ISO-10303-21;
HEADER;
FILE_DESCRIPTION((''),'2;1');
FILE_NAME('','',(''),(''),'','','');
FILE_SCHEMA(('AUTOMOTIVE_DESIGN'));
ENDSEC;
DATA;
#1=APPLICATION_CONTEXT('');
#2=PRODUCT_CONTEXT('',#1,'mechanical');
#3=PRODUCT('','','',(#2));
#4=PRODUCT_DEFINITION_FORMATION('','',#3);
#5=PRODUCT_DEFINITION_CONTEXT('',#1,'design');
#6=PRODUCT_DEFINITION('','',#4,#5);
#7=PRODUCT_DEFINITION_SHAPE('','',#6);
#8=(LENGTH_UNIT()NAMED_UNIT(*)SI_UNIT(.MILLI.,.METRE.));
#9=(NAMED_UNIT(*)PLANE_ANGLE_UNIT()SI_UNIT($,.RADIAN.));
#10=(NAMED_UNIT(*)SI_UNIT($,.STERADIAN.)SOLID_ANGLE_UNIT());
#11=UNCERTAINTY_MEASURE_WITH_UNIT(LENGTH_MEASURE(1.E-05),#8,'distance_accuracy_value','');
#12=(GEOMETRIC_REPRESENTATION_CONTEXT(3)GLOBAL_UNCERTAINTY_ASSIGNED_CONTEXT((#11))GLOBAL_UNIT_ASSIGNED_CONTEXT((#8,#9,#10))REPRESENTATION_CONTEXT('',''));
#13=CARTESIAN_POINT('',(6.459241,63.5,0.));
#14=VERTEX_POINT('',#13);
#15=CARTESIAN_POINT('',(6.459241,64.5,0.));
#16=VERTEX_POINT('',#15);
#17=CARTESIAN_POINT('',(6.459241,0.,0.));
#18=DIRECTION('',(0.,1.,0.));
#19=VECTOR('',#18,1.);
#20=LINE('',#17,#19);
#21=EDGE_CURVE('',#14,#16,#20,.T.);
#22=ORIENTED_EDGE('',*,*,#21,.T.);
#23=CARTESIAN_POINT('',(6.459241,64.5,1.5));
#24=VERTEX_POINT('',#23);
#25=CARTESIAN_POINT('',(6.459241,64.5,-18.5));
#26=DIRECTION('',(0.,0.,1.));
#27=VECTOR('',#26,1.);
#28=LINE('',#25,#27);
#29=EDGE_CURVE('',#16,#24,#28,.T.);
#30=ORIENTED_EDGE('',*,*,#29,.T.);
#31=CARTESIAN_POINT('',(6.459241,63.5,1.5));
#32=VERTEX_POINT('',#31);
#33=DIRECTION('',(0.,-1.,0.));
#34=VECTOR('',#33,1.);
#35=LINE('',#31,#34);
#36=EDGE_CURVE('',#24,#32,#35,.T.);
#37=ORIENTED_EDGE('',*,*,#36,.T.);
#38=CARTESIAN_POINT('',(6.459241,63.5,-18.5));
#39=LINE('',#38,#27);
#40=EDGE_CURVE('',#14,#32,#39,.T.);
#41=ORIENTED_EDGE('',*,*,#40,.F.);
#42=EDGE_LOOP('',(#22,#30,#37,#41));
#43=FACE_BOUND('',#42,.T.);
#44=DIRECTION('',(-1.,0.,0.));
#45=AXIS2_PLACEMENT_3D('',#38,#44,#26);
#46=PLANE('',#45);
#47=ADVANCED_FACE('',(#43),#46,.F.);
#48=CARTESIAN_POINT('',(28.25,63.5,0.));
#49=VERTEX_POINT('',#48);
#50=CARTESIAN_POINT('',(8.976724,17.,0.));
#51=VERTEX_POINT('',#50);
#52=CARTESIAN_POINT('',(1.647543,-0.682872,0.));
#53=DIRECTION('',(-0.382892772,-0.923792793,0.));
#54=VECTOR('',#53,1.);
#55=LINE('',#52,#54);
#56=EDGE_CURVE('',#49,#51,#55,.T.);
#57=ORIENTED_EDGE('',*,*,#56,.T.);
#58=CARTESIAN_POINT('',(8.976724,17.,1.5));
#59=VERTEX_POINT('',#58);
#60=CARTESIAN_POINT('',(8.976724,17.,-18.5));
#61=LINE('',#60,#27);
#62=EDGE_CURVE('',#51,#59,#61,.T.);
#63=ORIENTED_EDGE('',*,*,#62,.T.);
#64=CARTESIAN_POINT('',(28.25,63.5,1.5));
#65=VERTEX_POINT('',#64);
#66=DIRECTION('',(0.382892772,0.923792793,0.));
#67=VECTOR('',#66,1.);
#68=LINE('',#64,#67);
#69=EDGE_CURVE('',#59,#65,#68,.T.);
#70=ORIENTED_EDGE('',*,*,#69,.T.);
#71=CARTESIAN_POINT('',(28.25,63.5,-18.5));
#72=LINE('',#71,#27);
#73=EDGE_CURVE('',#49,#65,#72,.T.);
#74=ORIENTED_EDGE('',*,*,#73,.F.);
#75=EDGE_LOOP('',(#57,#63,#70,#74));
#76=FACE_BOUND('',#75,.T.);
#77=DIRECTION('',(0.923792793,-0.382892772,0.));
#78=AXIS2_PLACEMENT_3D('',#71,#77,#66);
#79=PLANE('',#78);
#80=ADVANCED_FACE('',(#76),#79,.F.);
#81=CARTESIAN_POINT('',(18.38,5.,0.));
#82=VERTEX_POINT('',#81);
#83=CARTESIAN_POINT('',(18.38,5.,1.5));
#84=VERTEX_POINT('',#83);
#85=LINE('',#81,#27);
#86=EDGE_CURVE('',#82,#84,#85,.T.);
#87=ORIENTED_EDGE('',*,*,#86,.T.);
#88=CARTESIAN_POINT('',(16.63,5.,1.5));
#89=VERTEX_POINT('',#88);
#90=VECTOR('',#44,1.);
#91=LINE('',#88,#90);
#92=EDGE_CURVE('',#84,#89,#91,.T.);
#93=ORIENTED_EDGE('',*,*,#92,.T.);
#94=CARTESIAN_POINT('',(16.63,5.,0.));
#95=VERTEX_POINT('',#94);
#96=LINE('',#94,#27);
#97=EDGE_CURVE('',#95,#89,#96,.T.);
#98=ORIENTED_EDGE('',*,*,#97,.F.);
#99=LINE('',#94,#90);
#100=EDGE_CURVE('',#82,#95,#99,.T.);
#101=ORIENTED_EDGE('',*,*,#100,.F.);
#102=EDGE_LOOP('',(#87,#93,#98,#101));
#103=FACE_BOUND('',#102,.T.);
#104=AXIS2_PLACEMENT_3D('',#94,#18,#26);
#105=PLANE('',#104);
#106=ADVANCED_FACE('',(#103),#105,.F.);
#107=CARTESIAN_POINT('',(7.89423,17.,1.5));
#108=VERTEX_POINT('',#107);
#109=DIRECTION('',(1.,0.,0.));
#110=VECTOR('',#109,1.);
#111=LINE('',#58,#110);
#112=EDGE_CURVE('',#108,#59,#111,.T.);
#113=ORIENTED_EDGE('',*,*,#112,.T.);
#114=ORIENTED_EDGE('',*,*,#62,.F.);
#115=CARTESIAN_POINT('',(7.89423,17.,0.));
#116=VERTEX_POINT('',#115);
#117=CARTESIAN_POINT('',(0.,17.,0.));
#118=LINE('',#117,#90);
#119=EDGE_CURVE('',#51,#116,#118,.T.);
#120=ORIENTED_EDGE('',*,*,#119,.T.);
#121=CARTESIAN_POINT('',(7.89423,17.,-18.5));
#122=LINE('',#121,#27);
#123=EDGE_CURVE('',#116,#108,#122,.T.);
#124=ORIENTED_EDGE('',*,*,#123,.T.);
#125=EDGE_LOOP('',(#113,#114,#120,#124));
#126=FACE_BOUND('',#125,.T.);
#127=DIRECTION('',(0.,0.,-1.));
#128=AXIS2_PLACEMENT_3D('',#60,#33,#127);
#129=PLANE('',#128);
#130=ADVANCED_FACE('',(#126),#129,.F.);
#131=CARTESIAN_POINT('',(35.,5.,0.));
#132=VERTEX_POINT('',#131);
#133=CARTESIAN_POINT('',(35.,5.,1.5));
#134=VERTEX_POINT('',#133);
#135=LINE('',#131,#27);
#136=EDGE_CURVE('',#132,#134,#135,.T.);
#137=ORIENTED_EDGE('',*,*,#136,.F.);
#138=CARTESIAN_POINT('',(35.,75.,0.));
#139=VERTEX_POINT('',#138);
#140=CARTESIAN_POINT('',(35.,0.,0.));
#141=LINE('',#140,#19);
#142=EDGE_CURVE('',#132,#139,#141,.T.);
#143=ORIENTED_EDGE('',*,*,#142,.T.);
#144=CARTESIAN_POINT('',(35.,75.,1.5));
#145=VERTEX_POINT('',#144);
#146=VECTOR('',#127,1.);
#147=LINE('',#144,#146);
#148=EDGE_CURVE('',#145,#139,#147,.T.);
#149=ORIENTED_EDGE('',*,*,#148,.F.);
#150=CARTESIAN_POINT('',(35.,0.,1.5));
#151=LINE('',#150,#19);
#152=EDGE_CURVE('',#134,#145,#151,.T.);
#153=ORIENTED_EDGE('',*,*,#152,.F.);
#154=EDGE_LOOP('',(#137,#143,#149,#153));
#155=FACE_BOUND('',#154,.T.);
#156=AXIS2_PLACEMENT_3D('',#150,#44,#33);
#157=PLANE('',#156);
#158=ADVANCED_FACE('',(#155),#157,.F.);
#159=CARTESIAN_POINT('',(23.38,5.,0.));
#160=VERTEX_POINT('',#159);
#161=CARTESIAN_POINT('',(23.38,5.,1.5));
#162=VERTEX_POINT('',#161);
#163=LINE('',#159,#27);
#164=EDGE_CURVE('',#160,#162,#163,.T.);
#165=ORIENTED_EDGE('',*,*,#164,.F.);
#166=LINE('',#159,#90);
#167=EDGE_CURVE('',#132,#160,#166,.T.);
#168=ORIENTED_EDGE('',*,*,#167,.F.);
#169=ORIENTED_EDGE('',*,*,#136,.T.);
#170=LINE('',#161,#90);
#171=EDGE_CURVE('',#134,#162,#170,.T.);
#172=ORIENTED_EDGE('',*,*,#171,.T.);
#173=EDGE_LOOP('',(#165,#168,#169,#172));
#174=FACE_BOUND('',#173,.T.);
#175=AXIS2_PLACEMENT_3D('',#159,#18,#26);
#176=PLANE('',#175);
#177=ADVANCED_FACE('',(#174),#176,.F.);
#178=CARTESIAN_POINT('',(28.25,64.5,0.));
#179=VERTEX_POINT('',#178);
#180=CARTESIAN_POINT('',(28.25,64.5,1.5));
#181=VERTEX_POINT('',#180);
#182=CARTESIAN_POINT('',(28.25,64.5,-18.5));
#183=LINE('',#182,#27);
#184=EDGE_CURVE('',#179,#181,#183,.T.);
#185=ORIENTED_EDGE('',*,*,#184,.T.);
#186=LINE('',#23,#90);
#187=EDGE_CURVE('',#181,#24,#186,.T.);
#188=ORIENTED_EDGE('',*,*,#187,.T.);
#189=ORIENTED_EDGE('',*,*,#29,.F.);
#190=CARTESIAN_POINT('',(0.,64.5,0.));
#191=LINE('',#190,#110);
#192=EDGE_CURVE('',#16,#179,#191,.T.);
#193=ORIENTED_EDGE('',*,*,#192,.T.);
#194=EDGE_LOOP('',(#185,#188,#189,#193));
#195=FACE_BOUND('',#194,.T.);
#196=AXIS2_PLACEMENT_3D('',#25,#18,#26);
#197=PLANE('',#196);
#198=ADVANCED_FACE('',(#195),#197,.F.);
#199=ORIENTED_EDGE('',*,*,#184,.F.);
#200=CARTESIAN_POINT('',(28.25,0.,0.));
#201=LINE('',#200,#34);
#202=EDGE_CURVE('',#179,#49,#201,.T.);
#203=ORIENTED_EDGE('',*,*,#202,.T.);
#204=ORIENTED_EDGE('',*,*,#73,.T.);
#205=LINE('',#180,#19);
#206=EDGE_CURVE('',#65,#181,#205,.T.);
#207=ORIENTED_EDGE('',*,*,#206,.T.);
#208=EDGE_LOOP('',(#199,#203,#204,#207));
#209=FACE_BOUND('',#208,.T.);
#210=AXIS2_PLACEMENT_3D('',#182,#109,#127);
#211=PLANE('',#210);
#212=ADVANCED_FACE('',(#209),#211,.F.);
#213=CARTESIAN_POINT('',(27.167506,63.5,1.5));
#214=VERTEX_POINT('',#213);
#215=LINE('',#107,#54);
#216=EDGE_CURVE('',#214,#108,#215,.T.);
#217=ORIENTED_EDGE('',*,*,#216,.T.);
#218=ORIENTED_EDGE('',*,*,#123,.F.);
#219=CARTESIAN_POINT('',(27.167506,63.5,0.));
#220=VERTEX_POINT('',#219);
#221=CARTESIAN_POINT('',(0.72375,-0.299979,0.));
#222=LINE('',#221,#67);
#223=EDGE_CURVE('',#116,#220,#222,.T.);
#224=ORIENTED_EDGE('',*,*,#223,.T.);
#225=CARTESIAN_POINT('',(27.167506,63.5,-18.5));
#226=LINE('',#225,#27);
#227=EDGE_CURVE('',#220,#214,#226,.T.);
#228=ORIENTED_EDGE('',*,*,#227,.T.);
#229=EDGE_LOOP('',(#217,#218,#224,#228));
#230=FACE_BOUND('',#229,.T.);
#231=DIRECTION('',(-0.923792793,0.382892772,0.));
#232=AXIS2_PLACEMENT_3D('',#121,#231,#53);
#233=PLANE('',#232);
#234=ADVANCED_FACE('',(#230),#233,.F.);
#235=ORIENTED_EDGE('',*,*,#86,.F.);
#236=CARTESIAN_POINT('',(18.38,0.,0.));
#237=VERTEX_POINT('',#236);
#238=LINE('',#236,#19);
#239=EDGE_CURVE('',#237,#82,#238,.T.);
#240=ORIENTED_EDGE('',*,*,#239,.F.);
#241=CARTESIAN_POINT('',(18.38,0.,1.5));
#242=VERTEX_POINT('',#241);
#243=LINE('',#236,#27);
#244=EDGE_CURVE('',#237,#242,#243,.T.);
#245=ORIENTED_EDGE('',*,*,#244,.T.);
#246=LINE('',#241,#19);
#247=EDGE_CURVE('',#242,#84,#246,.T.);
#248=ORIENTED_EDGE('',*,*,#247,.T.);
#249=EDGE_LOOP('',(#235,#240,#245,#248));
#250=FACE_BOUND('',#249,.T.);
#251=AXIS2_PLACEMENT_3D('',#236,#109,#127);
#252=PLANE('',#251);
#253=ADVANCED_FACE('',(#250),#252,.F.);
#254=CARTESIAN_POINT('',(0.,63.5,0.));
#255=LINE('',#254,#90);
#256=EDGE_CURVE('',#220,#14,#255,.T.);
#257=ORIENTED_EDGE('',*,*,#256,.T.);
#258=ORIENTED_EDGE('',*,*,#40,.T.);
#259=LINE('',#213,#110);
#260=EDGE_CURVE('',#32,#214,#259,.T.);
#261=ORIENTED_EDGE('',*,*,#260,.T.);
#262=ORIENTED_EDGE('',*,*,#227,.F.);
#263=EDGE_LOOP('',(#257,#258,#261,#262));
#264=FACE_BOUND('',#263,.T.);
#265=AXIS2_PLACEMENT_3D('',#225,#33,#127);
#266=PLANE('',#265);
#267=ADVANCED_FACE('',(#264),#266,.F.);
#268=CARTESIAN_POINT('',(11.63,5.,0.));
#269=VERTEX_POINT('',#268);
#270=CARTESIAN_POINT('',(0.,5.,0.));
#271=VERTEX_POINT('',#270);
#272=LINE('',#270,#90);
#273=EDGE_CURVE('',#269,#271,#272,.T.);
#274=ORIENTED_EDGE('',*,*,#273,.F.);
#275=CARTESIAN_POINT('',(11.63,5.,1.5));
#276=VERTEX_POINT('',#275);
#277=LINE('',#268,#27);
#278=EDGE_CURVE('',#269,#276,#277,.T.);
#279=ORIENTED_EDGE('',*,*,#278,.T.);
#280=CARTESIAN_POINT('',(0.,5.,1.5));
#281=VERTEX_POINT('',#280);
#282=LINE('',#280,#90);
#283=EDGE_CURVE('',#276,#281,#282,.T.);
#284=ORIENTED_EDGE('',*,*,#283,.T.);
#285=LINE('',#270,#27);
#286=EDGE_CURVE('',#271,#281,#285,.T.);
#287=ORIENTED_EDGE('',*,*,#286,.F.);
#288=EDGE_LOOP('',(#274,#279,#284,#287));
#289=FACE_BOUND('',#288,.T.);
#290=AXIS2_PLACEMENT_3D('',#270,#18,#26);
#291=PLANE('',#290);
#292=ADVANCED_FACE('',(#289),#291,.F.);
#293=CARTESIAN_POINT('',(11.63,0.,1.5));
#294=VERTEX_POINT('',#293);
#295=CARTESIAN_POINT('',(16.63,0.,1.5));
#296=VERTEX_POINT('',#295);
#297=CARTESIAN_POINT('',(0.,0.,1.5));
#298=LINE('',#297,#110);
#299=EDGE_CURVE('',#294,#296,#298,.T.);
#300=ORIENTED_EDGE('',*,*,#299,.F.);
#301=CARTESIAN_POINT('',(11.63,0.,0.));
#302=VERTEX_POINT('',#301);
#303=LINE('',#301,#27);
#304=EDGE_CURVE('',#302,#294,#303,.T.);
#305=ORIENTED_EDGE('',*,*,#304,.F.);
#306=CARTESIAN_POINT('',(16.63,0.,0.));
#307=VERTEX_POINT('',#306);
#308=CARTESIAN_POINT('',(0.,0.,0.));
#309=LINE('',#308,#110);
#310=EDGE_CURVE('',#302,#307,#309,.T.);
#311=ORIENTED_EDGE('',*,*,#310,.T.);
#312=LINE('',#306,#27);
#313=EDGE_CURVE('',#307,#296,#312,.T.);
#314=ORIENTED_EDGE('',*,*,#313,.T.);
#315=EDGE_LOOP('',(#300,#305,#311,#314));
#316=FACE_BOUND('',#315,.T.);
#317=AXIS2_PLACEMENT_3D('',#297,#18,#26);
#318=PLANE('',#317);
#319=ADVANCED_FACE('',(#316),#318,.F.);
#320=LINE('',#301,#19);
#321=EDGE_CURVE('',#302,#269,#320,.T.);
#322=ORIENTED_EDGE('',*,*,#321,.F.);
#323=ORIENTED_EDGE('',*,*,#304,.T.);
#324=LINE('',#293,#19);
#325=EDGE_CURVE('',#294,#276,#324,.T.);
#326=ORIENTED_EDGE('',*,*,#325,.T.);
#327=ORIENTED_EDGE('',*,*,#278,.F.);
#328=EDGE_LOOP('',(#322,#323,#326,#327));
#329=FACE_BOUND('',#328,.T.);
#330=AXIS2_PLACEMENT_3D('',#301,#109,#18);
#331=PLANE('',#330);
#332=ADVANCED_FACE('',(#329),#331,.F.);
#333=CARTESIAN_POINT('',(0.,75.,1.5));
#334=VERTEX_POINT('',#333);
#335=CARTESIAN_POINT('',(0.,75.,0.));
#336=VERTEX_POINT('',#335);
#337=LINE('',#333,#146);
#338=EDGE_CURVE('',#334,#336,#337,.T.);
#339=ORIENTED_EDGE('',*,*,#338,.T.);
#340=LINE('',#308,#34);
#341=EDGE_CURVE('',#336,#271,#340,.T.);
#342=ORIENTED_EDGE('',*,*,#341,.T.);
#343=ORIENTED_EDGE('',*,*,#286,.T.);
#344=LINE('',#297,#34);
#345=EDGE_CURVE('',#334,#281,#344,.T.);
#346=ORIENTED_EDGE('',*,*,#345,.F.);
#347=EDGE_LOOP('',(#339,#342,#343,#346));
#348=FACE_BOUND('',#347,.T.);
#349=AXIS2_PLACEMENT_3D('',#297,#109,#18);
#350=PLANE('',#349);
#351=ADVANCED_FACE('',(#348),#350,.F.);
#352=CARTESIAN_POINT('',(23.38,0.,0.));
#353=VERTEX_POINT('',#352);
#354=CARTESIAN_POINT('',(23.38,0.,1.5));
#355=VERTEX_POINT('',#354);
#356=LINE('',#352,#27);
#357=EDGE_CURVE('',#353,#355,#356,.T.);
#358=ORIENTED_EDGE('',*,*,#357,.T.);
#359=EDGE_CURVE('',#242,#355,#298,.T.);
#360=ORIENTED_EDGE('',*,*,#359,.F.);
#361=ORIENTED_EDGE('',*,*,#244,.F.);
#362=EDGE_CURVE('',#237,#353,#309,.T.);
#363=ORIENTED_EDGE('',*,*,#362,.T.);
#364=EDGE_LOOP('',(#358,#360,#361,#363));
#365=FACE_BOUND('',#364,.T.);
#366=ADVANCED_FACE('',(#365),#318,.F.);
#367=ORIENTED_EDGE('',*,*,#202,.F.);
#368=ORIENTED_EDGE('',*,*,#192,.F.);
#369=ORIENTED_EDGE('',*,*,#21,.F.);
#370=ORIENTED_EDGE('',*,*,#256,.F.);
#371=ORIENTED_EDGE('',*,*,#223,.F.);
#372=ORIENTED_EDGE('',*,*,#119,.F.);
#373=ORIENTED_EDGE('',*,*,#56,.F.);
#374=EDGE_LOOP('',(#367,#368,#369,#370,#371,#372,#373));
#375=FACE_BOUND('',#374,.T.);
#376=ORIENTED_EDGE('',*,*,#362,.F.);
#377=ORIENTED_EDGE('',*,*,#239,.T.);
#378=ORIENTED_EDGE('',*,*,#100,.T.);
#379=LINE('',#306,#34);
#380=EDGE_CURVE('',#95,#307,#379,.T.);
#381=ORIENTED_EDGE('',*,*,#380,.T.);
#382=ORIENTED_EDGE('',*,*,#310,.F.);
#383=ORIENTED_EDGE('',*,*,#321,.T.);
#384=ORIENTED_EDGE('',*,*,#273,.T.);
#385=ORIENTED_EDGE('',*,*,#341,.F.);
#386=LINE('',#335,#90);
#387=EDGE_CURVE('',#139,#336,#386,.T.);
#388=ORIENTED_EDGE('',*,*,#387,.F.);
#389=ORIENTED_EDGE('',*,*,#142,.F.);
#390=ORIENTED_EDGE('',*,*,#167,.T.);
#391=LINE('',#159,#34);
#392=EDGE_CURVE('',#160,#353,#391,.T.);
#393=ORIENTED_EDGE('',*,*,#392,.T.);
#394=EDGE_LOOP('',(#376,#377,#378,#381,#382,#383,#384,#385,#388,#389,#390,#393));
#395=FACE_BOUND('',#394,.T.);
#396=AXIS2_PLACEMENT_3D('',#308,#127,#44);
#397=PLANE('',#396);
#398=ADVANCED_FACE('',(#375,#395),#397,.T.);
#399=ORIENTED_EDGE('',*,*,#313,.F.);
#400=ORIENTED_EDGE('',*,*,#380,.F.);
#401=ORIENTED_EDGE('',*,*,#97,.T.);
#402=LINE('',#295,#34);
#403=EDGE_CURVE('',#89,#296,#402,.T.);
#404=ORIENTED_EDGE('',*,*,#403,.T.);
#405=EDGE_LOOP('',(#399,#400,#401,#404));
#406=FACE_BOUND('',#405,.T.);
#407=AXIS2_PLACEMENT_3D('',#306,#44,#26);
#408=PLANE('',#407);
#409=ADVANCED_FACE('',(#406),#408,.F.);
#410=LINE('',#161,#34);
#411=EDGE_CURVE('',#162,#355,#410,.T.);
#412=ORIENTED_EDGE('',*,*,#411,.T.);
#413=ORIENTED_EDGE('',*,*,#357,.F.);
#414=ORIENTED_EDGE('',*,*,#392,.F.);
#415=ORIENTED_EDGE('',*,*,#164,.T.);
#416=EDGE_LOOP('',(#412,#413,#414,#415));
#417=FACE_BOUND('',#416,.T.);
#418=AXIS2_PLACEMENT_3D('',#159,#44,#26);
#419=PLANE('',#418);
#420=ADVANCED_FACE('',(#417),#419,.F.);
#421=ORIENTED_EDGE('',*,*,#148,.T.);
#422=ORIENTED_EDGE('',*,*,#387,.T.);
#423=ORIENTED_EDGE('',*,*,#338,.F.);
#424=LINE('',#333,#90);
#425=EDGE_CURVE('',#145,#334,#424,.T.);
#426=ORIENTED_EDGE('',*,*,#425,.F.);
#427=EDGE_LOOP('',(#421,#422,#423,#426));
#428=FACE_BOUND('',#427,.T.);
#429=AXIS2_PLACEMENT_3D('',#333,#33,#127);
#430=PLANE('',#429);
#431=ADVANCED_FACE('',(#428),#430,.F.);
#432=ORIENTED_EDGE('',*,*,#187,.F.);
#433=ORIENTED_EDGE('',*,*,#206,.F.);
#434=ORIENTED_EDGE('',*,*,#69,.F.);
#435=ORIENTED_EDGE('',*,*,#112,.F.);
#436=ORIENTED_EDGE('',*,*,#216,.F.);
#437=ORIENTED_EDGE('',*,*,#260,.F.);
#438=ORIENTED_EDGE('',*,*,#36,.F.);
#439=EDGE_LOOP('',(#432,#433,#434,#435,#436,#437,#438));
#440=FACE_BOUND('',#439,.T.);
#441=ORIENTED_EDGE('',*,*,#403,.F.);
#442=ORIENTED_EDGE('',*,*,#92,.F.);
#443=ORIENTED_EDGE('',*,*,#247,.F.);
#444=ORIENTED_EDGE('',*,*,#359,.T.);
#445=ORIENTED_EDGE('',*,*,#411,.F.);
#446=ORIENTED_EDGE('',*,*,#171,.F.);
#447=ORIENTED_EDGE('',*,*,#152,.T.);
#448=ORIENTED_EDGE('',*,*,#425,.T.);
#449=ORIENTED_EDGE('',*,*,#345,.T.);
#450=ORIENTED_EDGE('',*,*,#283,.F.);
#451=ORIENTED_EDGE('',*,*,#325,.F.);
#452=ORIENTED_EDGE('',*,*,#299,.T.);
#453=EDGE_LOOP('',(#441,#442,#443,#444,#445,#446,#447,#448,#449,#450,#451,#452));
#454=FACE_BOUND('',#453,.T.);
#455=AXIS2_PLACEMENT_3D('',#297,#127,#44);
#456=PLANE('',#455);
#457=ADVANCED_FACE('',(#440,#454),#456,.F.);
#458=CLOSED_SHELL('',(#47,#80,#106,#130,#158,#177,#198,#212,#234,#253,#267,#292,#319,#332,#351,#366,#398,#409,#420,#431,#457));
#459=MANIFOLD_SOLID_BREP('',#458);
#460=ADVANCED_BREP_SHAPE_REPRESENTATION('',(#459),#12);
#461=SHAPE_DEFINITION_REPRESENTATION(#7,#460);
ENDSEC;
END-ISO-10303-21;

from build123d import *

# Parameters (mm, degrees)
SKIZZE1_W                       = 35
SKIZZE1_H                       = 75
AUFSATZ_LINEAR_AUSTRAGEN1_DEPTH = 1.5
SKIZZE2_W                       = 11.63
SKIZZE2_H                       = 5
SKIZZE2_W_2                     = 11.62
SKIZZE2_W_3                     = 1.75
SCHNITT_LINEAR_AUSTRAGEN1_DEPTH = 1.5
SCHNITT_LINEAR_AUSTRAGEN7_DEPTH = 20


with BuildPart() as part:
    # Skizze1 → Aufsatz-Linear austragen1 (new body)
    with BuildSketch(Plane.XY):
        with Locations((17.5, 37.5)):
            Rectangle(SKIZZE1_W, SKIZZE1_H)
    extrude(amount=AUFSATZ_LINEAR_AUSTRAGEN1_DEPTH)

    # Skizze2 → Schnitt-Linear austragen1 (cut)
    with BuildSketch(Plane.XY.offset(1.5)):
        with Locations((5.815, 2.5)):
            Rectangle(SKIZZE2_W, SKIZZE2_H)
        with Locations((29.19, 2.5)):
            Rectangle(SKIZZE2_W_2, SKIZZE2_H)
        with Locations((17.505, 2.5)):
            Rectangle(SKIZZE2_W_3, SKIZZE2_H)
    extrude(amount=-SCHNITT_LINEAR_AUSTRAGEN1_DEPTH, mode=Mode.SUBTRACT)

    # Skizze12 → Schnitt-Linear austragen7 (cut)
    with BuildSketch(Plane.XY.offset(1.5)):
        Polygon((6.459240655, 64.5), (28.25, 64.5), (28.25, 63.5), (8.976723544, 17), (7.894229713, 17), (27.167506169, 63.5), (6.459240655, 63.5), align=None)
    extrude(amount=-SCHNITT_LINEAR_AUSTRAGEN7_DEPTH, mode=Mode.SUBTRACT)


solid = part.part
